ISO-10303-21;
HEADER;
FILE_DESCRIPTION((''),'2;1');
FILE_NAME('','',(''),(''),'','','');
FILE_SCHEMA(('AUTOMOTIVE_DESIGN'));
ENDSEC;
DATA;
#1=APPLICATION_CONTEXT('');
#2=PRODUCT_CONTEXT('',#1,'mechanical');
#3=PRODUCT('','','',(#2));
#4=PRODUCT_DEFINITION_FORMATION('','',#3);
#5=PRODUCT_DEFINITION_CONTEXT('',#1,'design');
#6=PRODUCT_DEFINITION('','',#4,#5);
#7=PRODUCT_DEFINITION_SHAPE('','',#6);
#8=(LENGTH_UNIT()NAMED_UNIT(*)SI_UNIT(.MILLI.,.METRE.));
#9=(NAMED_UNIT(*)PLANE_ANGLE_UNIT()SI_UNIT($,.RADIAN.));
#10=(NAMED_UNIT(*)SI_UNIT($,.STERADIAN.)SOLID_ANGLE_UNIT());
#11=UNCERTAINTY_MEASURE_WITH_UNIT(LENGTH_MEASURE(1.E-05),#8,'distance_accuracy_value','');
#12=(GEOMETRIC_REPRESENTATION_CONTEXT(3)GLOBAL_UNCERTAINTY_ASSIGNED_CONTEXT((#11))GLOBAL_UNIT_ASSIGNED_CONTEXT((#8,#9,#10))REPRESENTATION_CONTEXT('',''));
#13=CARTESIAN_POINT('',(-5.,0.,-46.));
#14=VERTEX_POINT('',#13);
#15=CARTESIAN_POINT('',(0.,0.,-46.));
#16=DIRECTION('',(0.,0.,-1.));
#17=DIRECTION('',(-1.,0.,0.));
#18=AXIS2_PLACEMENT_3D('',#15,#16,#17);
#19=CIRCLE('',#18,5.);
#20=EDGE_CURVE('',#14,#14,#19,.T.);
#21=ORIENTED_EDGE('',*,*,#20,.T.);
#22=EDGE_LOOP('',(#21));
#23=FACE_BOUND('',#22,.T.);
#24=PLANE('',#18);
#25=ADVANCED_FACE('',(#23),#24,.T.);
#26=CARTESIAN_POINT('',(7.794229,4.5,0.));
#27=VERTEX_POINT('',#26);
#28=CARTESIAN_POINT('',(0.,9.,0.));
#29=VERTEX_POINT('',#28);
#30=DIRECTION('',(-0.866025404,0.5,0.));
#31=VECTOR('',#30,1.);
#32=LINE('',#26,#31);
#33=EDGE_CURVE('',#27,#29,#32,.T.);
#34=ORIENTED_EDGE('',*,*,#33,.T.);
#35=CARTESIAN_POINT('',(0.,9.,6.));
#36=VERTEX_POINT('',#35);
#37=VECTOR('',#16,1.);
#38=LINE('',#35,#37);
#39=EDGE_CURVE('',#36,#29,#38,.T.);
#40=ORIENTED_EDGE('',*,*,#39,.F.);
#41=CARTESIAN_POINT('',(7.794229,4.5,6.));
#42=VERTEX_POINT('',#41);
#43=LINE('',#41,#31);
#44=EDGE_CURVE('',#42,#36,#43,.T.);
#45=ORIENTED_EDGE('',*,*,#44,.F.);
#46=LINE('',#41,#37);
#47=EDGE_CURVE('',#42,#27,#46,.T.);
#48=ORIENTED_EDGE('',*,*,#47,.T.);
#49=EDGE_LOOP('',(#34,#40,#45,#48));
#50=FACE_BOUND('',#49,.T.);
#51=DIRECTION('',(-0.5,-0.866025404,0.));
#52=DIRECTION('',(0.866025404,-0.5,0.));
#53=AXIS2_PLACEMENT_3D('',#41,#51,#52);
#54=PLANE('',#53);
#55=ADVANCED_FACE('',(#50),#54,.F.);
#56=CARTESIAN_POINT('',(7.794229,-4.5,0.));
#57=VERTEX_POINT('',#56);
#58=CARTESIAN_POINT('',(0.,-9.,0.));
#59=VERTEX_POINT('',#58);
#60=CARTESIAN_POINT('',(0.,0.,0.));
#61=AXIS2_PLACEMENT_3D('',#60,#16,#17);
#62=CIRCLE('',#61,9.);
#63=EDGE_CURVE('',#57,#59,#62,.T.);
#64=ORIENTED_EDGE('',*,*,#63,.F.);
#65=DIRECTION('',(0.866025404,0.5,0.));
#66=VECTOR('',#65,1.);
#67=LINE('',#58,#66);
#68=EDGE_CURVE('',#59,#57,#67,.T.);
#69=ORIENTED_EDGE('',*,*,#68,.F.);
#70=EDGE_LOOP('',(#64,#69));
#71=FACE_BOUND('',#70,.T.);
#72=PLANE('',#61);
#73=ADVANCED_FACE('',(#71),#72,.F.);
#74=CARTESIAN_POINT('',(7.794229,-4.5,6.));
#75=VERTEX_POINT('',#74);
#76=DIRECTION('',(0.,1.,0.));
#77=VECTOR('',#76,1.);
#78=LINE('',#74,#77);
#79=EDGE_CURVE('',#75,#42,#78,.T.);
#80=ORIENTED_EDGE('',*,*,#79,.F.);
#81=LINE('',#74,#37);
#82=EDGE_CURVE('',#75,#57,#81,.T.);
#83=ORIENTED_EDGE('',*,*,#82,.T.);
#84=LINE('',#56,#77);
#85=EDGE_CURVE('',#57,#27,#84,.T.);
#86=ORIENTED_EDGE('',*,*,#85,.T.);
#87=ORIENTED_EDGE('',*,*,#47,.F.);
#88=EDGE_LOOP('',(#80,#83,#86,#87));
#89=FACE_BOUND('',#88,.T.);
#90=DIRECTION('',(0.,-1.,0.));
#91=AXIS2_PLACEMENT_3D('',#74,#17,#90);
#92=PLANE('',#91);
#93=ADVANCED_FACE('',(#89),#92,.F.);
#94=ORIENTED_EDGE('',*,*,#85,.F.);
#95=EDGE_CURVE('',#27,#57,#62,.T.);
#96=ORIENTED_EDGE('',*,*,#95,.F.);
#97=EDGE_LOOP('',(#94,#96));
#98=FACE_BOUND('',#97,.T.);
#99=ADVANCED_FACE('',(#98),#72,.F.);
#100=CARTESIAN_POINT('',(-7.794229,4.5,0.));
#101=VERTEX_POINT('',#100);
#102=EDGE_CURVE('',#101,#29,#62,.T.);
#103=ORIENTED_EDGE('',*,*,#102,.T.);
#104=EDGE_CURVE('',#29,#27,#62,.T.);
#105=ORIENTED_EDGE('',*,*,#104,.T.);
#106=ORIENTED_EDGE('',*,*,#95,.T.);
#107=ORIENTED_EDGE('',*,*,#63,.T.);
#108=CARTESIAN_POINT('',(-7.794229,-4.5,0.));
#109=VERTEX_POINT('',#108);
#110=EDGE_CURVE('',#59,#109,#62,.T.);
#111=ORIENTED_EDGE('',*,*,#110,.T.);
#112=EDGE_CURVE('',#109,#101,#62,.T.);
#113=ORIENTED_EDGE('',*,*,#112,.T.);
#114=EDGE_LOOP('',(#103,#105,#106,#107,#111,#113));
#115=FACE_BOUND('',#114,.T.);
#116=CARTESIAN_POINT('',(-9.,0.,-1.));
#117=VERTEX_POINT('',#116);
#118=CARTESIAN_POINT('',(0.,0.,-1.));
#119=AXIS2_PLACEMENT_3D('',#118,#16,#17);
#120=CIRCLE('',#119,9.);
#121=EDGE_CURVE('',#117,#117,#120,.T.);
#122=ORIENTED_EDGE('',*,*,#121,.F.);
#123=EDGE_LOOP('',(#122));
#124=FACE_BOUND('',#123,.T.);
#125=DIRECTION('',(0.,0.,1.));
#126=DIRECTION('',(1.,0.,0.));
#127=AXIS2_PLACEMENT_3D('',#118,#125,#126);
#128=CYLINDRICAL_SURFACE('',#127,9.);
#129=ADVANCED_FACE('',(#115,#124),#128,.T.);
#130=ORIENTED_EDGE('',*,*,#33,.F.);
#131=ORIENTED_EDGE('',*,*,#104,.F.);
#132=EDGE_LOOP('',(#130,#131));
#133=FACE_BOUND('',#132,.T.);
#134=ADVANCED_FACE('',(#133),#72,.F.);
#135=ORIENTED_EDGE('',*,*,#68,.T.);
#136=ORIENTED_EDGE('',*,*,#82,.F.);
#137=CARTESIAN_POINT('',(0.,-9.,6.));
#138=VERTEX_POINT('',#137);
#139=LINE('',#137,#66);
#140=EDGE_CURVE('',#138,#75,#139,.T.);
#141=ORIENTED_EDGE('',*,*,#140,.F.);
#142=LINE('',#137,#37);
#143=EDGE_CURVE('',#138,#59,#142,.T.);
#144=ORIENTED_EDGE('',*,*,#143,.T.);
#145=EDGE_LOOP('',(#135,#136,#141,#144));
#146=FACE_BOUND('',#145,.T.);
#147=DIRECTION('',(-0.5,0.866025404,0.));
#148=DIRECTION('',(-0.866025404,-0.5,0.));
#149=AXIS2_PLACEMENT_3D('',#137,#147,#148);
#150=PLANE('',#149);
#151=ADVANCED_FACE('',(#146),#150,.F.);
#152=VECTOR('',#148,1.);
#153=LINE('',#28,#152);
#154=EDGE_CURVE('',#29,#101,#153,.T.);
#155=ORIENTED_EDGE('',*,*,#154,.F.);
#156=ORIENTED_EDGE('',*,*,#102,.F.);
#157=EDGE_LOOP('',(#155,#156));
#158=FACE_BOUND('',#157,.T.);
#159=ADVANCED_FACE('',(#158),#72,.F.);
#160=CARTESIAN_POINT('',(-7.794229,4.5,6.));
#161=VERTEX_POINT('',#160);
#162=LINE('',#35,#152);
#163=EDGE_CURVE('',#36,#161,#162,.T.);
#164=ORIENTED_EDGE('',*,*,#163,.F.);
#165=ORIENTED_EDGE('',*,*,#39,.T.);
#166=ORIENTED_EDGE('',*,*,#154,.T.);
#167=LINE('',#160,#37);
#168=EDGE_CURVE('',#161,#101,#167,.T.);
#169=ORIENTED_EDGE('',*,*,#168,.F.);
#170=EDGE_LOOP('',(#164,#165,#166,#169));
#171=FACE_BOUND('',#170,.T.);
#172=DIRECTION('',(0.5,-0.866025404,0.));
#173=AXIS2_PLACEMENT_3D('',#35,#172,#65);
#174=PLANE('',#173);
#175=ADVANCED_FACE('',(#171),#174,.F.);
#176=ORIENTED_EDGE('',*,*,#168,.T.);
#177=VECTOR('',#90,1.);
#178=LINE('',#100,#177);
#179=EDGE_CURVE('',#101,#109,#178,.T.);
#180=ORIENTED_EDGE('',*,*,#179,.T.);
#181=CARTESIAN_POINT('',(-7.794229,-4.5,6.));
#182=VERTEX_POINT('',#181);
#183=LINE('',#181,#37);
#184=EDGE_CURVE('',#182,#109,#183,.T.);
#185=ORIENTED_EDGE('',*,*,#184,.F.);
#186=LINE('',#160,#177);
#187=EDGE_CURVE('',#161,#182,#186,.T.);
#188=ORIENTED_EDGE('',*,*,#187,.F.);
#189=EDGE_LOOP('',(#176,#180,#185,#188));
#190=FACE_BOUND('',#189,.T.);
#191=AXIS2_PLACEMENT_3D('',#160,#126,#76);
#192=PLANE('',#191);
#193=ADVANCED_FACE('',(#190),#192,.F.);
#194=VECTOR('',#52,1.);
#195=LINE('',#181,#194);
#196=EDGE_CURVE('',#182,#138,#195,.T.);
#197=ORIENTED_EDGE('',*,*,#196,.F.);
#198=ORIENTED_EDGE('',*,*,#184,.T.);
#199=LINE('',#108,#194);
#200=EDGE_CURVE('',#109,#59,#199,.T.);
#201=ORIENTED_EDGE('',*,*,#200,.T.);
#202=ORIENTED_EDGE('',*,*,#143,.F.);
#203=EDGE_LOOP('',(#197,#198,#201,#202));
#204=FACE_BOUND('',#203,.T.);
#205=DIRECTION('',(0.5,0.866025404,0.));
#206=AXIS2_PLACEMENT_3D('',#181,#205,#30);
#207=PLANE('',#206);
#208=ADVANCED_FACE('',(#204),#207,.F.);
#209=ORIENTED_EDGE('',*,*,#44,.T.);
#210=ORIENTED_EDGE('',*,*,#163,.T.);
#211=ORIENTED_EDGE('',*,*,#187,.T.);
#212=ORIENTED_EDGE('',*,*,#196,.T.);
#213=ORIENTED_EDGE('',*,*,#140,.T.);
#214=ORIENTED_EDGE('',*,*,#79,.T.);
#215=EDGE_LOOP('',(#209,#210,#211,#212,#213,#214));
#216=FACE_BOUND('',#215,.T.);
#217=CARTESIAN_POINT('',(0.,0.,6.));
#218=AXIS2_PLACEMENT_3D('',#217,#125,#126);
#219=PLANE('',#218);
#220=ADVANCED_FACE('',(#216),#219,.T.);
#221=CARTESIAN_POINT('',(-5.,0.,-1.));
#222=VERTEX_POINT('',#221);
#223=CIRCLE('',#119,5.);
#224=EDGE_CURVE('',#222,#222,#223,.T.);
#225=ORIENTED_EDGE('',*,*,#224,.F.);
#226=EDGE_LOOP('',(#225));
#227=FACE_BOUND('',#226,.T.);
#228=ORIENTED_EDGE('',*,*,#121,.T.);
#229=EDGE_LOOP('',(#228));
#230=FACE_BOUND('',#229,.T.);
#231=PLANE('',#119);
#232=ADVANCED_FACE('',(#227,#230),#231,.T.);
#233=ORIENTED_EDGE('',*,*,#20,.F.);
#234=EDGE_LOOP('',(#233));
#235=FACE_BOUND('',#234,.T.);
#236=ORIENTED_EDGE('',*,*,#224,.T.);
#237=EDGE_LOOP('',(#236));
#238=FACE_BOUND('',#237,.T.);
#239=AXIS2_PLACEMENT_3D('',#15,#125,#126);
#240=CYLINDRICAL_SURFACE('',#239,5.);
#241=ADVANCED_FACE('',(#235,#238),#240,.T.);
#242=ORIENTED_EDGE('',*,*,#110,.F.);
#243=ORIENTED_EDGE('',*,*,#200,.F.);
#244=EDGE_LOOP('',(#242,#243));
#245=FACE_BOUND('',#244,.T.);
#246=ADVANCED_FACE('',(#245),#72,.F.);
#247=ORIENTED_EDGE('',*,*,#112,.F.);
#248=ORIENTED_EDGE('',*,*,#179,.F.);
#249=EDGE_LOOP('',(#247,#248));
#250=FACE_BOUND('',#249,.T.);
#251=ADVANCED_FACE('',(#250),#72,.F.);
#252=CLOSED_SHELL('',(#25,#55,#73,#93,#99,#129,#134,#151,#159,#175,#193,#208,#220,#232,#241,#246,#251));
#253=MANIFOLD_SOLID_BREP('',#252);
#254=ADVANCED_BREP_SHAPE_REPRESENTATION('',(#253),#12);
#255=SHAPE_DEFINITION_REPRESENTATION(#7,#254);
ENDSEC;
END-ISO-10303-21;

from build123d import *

# Parameters (mm, degrees)
BOSS_EXTRUDE1_DEPTH = 6
SKETCH2_R           = 9
BOSS_EXTRUDE2_DEPTH = 1
SKETCH3_R           = 5
BOSS_EXTRUDE3_DEPTH = 45


with BuildPart() as part:
    # Sketch1 → Boss-Extrude1 (new body)
    with BuildSketch(Plane.XY):
        Polygon((0, 9), (-7.794228634, 4.5), (-7.794228634, -4.5), (0, -9), (7.794228634, -4.5), (7.794228634, 4.5), align=None)
    extrude(amount=BOSS_EXTRUDE1_DEPTH)

    # Sketch2 → Boss-Extrude2 (add)
    with BuildSketch(Plane(origin=(0, 0, 0), x_dir=(-1, 0, 0), z_dir=(0, 0, -1))):
        Circle(SKETCH2_R)
    extrude(amount=BOSS_EXTRUDE2_DEPTH)

    # Sketch3 → Boss-Extrude3 (add)
    with BuildSketch(Plane(origin=(0, 0, -1), x_dir=(-1, 0, 0), z_dir=(0, 0, -1))):
        Circle(SKETCH3_R)
    extrude(amount=BOSS_EXTRUDE3_DEPTH)


solid = part.part
